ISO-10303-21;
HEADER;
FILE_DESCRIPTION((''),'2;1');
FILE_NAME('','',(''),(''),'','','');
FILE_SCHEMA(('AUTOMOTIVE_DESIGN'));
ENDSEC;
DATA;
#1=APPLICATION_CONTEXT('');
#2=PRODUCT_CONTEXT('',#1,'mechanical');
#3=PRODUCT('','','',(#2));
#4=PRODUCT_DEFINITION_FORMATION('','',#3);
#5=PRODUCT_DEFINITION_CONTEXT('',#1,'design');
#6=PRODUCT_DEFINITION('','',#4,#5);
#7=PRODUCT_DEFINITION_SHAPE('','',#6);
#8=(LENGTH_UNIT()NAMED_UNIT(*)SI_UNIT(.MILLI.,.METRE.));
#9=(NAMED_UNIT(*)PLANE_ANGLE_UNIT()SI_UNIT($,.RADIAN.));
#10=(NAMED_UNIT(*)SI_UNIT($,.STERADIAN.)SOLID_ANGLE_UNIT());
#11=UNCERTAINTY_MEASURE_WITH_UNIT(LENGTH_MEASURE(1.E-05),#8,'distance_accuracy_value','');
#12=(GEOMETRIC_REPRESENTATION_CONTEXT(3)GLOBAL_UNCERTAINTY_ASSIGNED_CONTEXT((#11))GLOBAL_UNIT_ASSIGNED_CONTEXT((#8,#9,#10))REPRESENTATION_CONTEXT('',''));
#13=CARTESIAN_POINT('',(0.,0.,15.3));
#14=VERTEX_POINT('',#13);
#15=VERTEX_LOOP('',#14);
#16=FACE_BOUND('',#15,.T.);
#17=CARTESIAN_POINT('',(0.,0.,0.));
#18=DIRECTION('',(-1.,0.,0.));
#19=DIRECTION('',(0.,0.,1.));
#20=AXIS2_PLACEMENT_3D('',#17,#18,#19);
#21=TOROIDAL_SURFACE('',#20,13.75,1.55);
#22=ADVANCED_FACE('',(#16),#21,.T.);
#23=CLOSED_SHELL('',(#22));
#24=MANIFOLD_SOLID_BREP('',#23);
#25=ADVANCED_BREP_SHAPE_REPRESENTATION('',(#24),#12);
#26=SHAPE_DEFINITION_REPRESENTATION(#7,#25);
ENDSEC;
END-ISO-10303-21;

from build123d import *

# Parameters (mm, degrees)
SKETCH_1_R = 1.55


with BuildPart() as part:
    # ｽｹｯﾁ1 → 回転1 (revolve)
    with BuildSketch(Plane.XY):
        with Locations((0, 13.75)):
            Circle(SKETCH_1_R)
    revolve(axis=Axis((0, 0, 0), (1, 0, 0)))


solid = part.part
